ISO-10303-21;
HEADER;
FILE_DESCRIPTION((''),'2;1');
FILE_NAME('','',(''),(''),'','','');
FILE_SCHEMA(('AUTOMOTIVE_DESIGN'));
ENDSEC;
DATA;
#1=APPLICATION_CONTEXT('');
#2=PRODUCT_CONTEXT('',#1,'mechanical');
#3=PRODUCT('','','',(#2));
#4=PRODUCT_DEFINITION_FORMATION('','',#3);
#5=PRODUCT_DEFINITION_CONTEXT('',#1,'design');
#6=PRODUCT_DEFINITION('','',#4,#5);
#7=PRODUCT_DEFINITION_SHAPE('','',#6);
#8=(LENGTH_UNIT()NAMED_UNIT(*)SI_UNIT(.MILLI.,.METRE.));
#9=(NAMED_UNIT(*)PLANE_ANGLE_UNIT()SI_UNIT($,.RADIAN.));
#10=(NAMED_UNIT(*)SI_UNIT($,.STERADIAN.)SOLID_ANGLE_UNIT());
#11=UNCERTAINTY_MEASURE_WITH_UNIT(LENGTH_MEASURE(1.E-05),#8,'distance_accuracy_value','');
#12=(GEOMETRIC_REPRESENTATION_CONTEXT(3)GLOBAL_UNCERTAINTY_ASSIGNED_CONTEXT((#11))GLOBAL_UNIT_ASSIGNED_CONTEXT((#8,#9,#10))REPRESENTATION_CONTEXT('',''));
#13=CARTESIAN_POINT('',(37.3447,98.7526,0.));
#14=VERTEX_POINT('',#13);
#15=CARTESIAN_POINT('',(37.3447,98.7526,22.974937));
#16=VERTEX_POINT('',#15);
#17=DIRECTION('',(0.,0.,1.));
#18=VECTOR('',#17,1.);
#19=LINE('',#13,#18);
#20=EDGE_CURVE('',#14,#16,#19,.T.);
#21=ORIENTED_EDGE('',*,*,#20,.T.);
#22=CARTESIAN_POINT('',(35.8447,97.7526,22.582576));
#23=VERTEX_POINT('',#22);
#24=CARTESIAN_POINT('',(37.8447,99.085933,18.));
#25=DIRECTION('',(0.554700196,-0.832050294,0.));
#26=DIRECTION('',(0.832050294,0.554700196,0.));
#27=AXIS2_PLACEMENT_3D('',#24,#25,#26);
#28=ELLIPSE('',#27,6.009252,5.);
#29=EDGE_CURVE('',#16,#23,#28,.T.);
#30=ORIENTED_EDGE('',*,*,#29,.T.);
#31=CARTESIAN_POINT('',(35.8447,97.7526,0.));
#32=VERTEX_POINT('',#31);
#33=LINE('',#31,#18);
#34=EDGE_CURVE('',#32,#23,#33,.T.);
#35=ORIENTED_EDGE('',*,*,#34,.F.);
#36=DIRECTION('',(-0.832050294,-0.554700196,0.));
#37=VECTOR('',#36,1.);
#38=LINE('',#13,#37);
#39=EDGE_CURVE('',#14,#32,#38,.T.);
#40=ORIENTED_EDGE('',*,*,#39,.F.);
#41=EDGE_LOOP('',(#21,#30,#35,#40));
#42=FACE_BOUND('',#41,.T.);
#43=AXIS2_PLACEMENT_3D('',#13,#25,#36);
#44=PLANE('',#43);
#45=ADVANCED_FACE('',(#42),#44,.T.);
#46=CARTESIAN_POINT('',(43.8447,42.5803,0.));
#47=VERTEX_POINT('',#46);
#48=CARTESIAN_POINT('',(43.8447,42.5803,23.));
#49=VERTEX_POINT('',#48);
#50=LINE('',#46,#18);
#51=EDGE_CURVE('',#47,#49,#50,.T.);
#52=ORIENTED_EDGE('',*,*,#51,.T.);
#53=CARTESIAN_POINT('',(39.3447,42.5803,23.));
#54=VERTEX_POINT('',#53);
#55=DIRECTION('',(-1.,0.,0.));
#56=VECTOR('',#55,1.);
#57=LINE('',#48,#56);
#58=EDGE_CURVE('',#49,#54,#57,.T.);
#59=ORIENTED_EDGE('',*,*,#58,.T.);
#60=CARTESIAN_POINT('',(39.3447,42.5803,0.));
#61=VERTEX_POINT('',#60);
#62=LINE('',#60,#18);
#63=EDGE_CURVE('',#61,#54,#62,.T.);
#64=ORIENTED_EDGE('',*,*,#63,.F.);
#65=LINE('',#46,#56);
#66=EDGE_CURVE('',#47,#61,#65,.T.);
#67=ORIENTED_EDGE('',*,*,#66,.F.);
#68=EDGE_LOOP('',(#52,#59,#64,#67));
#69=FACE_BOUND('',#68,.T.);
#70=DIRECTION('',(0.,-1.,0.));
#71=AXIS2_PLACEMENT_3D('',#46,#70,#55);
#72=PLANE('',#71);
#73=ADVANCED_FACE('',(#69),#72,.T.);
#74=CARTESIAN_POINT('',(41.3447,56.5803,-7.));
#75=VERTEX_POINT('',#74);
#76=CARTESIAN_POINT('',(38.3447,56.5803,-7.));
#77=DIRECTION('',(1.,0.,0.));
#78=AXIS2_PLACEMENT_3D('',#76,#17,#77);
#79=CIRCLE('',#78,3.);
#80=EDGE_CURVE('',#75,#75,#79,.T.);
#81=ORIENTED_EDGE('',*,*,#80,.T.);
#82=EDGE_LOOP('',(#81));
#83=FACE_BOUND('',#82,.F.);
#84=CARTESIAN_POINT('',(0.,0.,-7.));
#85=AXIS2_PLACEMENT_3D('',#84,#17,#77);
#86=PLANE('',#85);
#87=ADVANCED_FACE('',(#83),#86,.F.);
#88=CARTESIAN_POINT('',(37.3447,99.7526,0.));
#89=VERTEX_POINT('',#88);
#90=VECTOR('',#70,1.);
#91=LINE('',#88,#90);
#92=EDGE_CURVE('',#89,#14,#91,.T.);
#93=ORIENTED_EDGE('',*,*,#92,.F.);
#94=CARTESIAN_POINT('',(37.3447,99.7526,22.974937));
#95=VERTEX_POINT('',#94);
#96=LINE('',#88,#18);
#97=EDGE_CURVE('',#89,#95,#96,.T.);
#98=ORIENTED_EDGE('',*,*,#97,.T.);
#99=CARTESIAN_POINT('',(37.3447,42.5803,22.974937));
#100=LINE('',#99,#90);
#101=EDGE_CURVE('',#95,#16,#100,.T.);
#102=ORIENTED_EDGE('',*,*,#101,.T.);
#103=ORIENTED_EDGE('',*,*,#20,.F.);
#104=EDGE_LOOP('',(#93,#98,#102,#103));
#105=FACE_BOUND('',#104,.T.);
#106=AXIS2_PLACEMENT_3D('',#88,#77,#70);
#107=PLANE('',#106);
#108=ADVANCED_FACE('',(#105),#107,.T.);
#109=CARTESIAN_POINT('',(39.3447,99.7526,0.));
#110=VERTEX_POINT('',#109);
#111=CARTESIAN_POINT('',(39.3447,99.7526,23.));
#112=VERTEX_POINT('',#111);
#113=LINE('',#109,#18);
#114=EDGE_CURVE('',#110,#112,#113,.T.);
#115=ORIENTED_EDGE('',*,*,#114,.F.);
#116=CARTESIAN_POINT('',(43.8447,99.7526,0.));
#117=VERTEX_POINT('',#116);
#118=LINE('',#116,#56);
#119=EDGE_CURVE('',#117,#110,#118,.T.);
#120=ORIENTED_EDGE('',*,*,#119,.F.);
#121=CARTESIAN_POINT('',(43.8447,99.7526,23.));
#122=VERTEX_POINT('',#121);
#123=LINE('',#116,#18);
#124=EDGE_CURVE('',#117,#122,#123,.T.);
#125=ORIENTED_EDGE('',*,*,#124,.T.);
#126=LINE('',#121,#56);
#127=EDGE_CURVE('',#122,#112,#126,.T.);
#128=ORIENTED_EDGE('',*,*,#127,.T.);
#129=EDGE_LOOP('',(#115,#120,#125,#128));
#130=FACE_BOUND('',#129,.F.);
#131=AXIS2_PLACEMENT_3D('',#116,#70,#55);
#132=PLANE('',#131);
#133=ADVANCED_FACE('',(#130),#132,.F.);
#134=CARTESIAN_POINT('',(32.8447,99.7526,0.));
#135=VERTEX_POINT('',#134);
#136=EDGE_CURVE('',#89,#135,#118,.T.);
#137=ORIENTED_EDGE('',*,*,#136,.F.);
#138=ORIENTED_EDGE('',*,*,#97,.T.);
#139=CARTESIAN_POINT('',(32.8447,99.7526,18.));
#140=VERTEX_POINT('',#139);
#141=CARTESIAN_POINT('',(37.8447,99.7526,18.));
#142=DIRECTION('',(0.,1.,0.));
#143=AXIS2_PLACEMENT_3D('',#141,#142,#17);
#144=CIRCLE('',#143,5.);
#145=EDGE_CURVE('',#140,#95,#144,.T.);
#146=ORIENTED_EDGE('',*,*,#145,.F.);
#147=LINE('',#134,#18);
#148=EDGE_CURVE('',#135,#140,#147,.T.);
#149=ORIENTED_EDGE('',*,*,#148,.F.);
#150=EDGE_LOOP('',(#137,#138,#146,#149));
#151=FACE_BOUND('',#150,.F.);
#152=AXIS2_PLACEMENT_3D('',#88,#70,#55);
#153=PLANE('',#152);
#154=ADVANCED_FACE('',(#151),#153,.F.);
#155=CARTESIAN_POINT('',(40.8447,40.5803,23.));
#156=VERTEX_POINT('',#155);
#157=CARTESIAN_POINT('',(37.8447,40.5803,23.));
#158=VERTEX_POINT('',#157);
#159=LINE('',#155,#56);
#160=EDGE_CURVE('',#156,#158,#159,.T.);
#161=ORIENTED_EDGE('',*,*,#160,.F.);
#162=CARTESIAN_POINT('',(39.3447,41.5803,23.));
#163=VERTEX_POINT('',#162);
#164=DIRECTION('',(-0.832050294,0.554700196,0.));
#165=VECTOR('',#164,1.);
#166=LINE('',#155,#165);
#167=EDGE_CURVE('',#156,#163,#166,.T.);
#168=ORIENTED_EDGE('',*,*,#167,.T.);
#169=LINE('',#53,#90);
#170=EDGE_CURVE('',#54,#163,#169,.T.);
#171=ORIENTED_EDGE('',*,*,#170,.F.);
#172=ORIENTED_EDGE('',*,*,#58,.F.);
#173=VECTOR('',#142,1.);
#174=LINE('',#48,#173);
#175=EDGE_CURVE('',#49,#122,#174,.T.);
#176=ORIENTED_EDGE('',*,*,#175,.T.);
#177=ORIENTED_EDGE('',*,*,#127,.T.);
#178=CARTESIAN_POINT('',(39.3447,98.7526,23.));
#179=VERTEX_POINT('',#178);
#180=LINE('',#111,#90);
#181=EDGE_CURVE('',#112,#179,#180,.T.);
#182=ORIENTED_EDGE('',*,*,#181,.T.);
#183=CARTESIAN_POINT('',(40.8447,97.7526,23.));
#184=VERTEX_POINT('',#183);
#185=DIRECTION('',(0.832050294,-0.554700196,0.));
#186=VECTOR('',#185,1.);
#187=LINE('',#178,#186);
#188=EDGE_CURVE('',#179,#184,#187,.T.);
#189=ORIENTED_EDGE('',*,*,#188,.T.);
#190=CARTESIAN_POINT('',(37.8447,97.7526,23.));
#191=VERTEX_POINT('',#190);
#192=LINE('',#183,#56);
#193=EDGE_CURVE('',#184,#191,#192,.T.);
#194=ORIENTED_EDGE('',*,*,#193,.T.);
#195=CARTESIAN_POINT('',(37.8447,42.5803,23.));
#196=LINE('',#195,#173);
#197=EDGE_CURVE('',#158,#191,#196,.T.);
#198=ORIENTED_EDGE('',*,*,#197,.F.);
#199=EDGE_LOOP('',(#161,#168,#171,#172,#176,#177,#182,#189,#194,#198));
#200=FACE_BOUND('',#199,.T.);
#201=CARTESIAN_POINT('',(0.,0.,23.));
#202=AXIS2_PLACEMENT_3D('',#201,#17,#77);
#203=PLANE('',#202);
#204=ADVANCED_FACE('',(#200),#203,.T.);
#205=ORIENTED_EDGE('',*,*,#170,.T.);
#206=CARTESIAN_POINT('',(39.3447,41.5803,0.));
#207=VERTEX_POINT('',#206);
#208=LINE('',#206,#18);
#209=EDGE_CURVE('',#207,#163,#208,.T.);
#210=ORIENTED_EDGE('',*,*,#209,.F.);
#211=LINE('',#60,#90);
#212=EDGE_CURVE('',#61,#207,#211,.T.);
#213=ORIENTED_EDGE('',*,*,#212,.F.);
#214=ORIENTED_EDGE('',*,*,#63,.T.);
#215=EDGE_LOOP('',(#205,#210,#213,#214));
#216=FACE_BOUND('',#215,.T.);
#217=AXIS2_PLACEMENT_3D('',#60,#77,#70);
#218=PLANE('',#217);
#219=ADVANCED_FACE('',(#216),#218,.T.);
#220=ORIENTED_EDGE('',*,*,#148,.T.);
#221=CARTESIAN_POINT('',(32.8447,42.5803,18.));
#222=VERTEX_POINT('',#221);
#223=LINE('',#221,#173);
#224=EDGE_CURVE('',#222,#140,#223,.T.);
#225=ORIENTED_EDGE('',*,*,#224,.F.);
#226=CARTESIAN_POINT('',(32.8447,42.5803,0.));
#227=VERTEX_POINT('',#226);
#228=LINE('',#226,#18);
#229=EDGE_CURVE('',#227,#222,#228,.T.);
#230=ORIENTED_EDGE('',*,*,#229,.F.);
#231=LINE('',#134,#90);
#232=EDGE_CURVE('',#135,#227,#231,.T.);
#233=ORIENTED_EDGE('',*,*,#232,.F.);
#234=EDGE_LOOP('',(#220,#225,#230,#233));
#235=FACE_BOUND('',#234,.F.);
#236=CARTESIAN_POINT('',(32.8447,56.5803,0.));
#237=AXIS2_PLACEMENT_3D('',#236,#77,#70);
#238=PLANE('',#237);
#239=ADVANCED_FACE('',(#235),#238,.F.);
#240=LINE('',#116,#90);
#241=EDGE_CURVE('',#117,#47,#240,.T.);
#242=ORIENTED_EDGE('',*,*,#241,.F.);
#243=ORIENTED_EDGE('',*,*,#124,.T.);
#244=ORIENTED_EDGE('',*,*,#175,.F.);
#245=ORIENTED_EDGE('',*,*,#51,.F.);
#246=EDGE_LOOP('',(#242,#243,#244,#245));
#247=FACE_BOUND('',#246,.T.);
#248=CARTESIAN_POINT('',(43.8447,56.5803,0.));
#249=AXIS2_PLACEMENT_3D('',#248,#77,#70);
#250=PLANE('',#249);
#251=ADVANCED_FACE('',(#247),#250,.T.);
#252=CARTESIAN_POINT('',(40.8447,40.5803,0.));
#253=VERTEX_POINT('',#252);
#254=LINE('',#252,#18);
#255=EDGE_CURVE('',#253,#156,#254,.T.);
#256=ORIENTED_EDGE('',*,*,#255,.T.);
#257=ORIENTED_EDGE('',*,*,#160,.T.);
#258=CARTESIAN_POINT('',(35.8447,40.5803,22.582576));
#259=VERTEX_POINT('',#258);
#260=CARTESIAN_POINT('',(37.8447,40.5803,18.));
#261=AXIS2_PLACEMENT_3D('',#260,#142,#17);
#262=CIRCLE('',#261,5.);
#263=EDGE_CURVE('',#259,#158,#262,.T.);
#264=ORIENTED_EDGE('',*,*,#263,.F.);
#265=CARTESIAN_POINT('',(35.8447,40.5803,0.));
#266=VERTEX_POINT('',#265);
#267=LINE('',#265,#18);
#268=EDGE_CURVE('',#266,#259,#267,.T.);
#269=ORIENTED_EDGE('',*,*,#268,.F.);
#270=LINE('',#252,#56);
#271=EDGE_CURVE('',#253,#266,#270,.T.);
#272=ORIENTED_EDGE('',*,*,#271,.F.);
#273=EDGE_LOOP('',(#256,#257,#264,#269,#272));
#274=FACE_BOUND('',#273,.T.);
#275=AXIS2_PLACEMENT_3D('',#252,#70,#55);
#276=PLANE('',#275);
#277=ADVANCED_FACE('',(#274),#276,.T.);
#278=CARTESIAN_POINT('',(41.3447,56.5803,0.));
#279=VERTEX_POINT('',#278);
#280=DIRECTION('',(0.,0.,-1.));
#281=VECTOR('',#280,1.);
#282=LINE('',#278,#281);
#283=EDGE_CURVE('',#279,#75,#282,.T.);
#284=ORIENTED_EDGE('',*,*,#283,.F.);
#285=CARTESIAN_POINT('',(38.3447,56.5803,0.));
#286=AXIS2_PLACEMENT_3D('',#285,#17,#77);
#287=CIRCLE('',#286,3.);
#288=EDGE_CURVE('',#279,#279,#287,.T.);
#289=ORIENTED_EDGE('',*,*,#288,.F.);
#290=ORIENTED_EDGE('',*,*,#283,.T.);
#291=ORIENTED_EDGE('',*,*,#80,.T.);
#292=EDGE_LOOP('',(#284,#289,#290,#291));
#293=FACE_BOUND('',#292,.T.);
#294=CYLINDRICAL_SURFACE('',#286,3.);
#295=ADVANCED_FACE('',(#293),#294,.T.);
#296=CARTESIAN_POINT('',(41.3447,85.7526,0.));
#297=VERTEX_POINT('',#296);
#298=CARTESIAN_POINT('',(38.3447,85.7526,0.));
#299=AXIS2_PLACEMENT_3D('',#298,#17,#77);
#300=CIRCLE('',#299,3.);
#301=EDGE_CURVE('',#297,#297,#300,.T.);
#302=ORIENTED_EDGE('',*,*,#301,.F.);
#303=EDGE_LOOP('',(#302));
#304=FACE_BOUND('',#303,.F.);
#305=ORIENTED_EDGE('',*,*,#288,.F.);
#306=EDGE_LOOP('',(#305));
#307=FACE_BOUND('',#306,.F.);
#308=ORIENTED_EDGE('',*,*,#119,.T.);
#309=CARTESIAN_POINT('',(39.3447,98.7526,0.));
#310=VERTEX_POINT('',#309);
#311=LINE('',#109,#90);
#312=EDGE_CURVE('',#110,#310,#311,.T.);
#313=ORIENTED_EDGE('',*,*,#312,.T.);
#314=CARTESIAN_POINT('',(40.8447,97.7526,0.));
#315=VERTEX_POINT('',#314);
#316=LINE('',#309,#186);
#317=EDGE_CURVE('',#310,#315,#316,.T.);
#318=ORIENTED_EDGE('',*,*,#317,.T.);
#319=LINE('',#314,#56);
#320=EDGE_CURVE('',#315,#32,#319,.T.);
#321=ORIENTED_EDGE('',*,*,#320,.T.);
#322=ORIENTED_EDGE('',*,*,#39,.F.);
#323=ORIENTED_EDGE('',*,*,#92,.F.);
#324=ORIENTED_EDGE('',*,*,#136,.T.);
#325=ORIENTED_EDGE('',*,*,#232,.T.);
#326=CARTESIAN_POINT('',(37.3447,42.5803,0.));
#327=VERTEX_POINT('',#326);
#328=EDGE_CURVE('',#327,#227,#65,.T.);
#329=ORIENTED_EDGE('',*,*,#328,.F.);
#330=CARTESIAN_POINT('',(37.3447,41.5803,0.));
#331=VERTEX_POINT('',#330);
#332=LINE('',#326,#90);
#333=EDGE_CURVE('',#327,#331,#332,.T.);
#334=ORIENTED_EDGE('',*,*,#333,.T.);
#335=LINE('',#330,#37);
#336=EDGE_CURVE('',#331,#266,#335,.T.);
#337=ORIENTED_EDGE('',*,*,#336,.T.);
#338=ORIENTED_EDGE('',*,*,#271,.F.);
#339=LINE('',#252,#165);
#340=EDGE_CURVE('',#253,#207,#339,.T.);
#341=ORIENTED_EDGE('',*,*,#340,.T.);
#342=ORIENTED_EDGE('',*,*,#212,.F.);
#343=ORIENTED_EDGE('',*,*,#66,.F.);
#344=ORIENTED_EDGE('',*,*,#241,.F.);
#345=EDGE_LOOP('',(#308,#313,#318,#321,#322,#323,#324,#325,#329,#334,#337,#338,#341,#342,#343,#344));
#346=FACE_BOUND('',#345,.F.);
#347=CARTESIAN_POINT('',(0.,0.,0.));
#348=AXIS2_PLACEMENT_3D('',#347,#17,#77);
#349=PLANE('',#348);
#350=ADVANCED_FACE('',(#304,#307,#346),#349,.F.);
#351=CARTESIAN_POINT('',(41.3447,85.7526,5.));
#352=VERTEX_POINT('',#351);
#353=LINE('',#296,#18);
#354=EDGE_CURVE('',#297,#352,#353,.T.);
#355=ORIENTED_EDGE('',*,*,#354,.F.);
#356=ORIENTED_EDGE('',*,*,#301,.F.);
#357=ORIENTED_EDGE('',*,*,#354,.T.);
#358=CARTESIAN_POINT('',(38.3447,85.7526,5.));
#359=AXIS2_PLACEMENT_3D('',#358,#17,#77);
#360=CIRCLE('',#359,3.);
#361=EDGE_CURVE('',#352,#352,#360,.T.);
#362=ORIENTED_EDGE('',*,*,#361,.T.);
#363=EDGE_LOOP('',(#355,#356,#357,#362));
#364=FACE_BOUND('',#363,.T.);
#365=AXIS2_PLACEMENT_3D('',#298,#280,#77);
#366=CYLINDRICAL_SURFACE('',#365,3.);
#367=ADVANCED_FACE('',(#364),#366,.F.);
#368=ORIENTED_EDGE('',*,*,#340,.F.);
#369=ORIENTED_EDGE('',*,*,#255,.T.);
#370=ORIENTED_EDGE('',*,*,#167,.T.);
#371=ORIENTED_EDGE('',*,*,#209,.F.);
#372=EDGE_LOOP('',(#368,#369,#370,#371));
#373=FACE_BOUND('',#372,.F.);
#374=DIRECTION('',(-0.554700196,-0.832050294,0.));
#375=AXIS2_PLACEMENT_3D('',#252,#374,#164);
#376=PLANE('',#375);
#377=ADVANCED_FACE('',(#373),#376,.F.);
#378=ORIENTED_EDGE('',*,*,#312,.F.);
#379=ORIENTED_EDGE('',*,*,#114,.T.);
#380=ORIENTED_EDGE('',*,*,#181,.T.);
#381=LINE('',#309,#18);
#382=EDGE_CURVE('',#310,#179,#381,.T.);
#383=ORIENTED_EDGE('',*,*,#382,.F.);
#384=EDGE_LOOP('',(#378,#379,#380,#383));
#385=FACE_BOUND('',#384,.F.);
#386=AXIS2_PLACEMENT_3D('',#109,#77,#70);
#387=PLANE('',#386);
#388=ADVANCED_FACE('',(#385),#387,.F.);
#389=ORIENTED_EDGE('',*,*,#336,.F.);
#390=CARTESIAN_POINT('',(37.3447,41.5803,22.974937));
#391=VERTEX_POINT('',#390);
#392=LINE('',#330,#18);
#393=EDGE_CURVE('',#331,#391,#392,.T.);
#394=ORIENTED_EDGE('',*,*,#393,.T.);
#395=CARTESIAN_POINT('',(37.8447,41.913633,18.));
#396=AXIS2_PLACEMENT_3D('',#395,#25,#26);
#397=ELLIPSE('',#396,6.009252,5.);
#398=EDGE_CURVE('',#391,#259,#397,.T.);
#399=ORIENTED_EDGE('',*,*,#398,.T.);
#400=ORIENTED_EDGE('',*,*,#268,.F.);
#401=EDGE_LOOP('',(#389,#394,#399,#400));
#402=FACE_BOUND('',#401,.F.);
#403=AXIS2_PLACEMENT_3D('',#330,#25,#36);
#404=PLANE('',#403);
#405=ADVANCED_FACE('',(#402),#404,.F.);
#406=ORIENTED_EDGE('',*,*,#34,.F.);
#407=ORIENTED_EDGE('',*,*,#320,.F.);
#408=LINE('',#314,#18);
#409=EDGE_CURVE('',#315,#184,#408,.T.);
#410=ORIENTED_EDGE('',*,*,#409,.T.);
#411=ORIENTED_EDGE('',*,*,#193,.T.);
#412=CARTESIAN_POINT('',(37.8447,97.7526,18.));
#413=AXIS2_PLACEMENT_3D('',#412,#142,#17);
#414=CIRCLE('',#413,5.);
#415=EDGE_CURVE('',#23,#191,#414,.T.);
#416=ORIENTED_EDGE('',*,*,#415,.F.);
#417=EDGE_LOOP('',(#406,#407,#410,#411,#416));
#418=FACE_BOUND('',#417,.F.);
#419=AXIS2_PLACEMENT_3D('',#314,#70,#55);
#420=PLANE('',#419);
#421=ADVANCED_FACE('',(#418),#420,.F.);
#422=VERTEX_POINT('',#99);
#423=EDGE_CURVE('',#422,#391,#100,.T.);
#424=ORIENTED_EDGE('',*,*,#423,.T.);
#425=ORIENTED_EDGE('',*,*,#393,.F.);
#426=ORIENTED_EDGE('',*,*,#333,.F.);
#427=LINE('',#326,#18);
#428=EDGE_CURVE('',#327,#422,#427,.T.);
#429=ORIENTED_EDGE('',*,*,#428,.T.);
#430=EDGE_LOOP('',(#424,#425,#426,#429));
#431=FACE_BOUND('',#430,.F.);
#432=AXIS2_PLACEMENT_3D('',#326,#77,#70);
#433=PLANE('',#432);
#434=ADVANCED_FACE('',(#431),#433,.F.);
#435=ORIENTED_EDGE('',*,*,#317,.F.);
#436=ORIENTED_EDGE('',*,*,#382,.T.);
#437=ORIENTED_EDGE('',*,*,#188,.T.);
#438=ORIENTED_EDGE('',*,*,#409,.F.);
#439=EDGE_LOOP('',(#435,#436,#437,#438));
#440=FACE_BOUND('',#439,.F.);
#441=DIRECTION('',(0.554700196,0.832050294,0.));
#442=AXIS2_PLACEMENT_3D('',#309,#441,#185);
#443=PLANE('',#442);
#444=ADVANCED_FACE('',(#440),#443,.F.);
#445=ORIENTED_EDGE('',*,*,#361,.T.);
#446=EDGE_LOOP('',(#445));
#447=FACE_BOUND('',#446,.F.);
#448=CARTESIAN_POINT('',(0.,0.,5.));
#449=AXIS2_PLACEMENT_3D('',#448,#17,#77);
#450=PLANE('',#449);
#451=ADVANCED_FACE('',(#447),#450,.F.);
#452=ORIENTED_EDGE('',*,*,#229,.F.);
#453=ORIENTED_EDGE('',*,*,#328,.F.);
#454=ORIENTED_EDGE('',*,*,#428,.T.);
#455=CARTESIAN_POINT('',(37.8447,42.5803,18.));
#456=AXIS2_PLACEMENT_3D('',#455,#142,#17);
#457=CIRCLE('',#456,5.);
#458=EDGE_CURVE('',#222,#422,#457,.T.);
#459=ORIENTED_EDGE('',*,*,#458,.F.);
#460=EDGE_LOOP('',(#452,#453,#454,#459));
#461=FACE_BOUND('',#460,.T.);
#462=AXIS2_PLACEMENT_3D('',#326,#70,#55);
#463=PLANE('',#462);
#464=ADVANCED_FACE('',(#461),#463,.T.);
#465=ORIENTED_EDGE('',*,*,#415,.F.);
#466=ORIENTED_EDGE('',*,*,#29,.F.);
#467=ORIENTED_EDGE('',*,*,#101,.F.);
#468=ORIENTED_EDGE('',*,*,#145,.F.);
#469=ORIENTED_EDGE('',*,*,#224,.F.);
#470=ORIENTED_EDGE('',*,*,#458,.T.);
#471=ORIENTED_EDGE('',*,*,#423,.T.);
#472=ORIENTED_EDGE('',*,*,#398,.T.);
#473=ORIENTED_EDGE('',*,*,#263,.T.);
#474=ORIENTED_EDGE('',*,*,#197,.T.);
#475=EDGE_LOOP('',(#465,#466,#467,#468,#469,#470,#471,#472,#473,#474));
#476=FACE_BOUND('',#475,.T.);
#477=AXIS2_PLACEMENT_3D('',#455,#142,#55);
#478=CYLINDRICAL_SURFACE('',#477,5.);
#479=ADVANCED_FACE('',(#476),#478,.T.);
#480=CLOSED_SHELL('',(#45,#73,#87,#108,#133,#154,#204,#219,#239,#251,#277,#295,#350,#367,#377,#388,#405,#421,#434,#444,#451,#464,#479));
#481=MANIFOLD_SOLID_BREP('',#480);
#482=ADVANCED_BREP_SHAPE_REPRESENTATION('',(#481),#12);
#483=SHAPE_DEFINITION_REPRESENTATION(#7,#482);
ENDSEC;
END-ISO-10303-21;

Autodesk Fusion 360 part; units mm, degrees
sketch "Poarta Dreapta Sus" plane through (0, 0, 0) normal (0, 0, 1) x (1, 0, 0)
  line L0 (39.3447, 42.5803) -> (39.3447, 41.5803)
  line L1 (40.8447, 40.5803) -> (39.3447, 41.5803)
  line L2 (40.8447, 40.5803) -> (35.8447, 40.5803)
  line L3 (37.3447, 41.5803) -> (35.8447, 40.5803)
  line L4 (37.3447, 42.5803) -> (37.3447, 41.5803)
  circle A0 centre (38.3447, 56.5803) radius 3
  circle A1 centre (38.3447, 56.5803) radius 5.5
  circle A2 centre (38.3447, 85.7526) radius 5.5
  circle A3 centre (38.3447, 85.7526) radius 3
  line L5 (43.8447, 99.7526) -> (32.8447, 99.7526)
  line L6 (43.8447, 99.7526) -> (43.8447, 42.5803)
  line L7 (32.8447, 99.7526) -> (32.8447, 42.5803)
  line L8 (43.8447, 42.5803) -> (32.8447, 42.5803)
  line L9 (39.3447, 99.7526) -> (39.3447, 98.7526)
  line L10 (37.3447, 99.7526) -> (37.3447, 98.7526)
  line L11 (40.8447, 97.7526) -> (35.8447, 97.7526)
  line L12 (38.3447, 99.7526) -> (38.3447, 97.7526) construction
  line L13 (39.3447, 98.7526) -> (40.8447, 97.7526)
  line L14 (37.3447, 98.7526) -> (35.8447, 97.7526)
  point P0 (38.3447, 99.7526)
  dimension "d718" = 1
  dimension "d719" = 1
  dimension "d720" = 2
  dimension "d721" = 2.5
  dimension "d722" = 6
  dimension "d723" = 57.1723
  dimension "d724" = 5
  dimension "d725" = 32.8447
  dimension "d726" = 42.5803
  dimension "d727" = 2
  dimension "d728" = 3
  dimension "d729" = 14
  dimension "d730" = 43.1723
  dimension "d731" = 1
  dimension "d732" = 1
  dimension "d733" = 5
  dimension "d734" = 2
extrude "Extrude1" add sketch "Poarta Dreapta Sus" along normal blind 23 contours A1 L6 L7 L8 | L0 L1 L2 L3 L4 L8 | A1 | A1 A2 L6 L7 | A2 | A2 L5 L6 L7 L9 L10 L11 L13 L14
extrude "Extrude2" add sketch "Poarta Dreapta Sus" along normal blind 18 from surface at 5 contours A3
extrude "Extrude3" add sketch "Poarta Dreapta Sus" along normal blind 23 contours A0
extrude "Extrude4" add sketch "Poarta Dreapta Sus" against normal blind 7 contours A0
fillet "Fillet1" radius 5 2 edges at (32.8447, 71.1664, 23) (32.8447, 71.1664, 23)
